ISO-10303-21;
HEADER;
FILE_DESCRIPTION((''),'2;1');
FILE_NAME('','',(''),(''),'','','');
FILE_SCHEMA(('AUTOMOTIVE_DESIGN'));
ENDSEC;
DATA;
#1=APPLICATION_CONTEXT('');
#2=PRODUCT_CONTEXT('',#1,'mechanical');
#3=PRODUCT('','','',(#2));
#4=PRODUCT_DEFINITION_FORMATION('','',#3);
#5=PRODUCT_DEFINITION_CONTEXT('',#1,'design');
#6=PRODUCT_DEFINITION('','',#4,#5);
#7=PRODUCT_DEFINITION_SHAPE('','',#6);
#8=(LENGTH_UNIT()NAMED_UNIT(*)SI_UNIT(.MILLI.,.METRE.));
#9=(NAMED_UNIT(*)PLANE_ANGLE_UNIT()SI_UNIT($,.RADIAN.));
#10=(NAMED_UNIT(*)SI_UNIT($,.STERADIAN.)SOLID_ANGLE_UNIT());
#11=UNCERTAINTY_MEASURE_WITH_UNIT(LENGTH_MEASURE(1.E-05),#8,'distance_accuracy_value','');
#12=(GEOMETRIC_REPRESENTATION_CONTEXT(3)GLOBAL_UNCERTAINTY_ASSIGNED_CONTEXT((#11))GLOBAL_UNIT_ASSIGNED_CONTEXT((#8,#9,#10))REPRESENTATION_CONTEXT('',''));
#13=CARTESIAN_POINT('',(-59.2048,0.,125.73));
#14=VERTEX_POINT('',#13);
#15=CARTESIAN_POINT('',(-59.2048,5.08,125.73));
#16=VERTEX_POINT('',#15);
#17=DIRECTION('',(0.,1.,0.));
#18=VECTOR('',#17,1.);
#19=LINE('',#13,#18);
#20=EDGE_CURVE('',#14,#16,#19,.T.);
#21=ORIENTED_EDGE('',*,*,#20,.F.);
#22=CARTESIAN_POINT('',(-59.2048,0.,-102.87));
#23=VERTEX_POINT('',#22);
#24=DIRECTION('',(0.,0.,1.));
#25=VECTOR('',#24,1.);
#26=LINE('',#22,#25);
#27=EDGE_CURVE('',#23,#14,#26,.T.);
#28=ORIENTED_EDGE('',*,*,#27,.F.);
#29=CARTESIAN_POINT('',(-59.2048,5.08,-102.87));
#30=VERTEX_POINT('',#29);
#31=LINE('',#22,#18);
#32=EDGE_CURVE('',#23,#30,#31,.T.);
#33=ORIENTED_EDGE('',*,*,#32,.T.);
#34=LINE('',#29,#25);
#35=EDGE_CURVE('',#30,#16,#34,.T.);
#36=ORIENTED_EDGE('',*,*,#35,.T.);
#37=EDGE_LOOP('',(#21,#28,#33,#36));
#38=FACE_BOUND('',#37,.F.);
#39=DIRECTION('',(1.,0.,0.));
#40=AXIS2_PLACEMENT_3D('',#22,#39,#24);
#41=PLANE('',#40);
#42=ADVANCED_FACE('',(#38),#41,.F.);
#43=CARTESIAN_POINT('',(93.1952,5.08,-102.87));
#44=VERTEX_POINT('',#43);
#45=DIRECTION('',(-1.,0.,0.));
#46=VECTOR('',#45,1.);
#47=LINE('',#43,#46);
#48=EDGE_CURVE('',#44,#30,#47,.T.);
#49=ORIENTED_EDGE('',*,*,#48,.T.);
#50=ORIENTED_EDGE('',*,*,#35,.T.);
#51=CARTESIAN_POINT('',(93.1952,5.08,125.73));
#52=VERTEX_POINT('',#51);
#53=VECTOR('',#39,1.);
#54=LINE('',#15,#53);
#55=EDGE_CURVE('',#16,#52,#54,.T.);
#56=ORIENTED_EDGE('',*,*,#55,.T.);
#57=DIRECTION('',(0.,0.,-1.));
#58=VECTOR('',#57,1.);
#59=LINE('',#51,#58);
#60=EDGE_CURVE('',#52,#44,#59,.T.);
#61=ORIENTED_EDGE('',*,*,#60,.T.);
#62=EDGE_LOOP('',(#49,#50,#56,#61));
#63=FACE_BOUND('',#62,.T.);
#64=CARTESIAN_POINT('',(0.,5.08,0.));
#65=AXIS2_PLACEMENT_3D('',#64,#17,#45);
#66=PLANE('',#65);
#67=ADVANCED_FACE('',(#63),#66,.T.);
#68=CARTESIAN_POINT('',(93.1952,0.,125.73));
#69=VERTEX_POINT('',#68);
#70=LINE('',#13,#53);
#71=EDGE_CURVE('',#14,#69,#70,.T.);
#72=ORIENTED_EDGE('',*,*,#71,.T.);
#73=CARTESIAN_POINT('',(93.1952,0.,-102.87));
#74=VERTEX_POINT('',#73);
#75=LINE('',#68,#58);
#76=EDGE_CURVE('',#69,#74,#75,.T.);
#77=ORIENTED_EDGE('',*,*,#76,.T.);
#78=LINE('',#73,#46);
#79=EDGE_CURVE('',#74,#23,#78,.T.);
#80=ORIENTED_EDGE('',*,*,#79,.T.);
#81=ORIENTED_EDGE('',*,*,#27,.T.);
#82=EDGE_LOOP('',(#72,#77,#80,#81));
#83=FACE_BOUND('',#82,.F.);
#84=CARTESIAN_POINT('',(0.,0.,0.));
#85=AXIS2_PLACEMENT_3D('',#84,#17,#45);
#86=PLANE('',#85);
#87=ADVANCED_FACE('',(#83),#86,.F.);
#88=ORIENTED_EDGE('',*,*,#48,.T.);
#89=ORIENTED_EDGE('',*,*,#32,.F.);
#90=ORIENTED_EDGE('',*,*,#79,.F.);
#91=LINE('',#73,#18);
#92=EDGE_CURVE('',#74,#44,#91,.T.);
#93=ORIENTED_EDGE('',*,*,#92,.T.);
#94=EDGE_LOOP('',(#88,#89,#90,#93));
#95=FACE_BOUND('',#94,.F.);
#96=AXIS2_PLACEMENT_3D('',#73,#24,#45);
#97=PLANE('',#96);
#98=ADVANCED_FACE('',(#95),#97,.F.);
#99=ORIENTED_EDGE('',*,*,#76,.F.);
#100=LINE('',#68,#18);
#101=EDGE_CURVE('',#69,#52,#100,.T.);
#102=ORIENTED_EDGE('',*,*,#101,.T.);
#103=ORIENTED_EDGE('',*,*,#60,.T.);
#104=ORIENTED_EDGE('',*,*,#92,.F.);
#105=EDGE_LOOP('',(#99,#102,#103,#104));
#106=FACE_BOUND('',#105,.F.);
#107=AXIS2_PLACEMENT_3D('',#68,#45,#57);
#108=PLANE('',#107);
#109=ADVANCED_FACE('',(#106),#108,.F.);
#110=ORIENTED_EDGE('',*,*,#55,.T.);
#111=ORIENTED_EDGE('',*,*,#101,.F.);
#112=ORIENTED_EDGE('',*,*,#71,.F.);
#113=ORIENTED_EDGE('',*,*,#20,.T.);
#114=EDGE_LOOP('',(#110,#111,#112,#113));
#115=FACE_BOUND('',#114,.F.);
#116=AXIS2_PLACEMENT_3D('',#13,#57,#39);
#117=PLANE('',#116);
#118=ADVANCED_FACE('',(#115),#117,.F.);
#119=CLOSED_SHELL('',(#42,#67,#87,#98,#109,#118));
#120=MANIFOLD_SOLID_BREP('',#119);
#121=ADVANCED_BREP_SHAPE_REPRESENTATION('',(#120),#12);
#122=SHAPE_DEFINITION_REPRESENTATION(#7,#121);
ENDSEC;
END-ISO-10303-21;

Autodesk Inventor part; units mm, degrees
ref_plane "YZ Plane" through (0, 0, 0) normal (1, 0, 0) x (0, 1, 0)
ref_plane "XZ Plane" through (0, 0, 0) normal (0, 1, 0) x (-1, 0, 0)
ref_plane "XY Plane" through (0, 0, 0) normal (0, 0, 1) x (1, 0, 0)
sketch "Sketch1" plane through (0, 0, 0) normal (0, 1, 0) x (-1, 0, 0)
  line L0 (59.2048, 125.73) -> (-93.1952, 125.73)
  line L1 (-93.1952, 125.73) -> (-93.1952, -102.87)
  line L2 (-93.1952, -102.87) -> (59.2048, -102.87)
  line L3 (59.2048, -102.87) -> (59.2048, 125.73)
  point P0 (0, 0)
  dimension "d0" = 228.6
  dimension "d1" = 152.4
extrude "Extrusion1" add sketch "Sketch1" along normal blind 5.08
equation "\"d0\" = PartLength"
equation "\"d1\" = PartWidth"
equation "\"d2\" = WallWidth"
equation "\"DSLength\" = 1371.6"
equation "\"DSWidth\" = 304.8"
equation "\"DCDeckHeight\" = 76.2"
equation "\"WallWidth\" = 5.08"
equation "\"EdgeAngle\" = 10deg"
equation "\"LengthCuts\" = 152.4"
equation "\"WidthCuts\" = 50.8"
equation "\"PartLength\" = 228.6"
equation "\"PartWidth\" = 152.4"
equation "\"BoltHoldDiam\" = 6.35"
equation "\"ControlPlateLength\" = 228.6"
equation "\"ControlPlateWidth\" = 228.6"
equation "\"ControlPlateShelfLength\" = 19.05"
equation "\"ControlHoleLength\" = 190.5"
equation "\"ControlHoleWidth\" = 190.5"
equation "\"ControlHoleFromSide\" = 63.5"
equation "\"ControlHoleBoltHoleMid\" = 9.525"
equation "\"CPDeckHeight\" = 71.12"
equation "\"CPFromSide\" = 63.5"
equation "\"CPFromBack\" = 63.5"
equation "\"DU1CHWidth\" = 69.85"
equation "\"DU1CHLength\" = 146.05"
equation "\"ControlPlateScrewLength\" = 76.2"
equation "\"DSBackHeight\" = 127"
equation "\"BackShelf\" = 25.4"
equation "\"MainAngle\" = 168.22deg"
equation "\"CPDWidthHole\" = 120.65"
equation "\"CPDLengthHole\" = 146.05"
equation "\"DownBackHeight\" = 130.7084"
properties part number "CBBLeft1"
